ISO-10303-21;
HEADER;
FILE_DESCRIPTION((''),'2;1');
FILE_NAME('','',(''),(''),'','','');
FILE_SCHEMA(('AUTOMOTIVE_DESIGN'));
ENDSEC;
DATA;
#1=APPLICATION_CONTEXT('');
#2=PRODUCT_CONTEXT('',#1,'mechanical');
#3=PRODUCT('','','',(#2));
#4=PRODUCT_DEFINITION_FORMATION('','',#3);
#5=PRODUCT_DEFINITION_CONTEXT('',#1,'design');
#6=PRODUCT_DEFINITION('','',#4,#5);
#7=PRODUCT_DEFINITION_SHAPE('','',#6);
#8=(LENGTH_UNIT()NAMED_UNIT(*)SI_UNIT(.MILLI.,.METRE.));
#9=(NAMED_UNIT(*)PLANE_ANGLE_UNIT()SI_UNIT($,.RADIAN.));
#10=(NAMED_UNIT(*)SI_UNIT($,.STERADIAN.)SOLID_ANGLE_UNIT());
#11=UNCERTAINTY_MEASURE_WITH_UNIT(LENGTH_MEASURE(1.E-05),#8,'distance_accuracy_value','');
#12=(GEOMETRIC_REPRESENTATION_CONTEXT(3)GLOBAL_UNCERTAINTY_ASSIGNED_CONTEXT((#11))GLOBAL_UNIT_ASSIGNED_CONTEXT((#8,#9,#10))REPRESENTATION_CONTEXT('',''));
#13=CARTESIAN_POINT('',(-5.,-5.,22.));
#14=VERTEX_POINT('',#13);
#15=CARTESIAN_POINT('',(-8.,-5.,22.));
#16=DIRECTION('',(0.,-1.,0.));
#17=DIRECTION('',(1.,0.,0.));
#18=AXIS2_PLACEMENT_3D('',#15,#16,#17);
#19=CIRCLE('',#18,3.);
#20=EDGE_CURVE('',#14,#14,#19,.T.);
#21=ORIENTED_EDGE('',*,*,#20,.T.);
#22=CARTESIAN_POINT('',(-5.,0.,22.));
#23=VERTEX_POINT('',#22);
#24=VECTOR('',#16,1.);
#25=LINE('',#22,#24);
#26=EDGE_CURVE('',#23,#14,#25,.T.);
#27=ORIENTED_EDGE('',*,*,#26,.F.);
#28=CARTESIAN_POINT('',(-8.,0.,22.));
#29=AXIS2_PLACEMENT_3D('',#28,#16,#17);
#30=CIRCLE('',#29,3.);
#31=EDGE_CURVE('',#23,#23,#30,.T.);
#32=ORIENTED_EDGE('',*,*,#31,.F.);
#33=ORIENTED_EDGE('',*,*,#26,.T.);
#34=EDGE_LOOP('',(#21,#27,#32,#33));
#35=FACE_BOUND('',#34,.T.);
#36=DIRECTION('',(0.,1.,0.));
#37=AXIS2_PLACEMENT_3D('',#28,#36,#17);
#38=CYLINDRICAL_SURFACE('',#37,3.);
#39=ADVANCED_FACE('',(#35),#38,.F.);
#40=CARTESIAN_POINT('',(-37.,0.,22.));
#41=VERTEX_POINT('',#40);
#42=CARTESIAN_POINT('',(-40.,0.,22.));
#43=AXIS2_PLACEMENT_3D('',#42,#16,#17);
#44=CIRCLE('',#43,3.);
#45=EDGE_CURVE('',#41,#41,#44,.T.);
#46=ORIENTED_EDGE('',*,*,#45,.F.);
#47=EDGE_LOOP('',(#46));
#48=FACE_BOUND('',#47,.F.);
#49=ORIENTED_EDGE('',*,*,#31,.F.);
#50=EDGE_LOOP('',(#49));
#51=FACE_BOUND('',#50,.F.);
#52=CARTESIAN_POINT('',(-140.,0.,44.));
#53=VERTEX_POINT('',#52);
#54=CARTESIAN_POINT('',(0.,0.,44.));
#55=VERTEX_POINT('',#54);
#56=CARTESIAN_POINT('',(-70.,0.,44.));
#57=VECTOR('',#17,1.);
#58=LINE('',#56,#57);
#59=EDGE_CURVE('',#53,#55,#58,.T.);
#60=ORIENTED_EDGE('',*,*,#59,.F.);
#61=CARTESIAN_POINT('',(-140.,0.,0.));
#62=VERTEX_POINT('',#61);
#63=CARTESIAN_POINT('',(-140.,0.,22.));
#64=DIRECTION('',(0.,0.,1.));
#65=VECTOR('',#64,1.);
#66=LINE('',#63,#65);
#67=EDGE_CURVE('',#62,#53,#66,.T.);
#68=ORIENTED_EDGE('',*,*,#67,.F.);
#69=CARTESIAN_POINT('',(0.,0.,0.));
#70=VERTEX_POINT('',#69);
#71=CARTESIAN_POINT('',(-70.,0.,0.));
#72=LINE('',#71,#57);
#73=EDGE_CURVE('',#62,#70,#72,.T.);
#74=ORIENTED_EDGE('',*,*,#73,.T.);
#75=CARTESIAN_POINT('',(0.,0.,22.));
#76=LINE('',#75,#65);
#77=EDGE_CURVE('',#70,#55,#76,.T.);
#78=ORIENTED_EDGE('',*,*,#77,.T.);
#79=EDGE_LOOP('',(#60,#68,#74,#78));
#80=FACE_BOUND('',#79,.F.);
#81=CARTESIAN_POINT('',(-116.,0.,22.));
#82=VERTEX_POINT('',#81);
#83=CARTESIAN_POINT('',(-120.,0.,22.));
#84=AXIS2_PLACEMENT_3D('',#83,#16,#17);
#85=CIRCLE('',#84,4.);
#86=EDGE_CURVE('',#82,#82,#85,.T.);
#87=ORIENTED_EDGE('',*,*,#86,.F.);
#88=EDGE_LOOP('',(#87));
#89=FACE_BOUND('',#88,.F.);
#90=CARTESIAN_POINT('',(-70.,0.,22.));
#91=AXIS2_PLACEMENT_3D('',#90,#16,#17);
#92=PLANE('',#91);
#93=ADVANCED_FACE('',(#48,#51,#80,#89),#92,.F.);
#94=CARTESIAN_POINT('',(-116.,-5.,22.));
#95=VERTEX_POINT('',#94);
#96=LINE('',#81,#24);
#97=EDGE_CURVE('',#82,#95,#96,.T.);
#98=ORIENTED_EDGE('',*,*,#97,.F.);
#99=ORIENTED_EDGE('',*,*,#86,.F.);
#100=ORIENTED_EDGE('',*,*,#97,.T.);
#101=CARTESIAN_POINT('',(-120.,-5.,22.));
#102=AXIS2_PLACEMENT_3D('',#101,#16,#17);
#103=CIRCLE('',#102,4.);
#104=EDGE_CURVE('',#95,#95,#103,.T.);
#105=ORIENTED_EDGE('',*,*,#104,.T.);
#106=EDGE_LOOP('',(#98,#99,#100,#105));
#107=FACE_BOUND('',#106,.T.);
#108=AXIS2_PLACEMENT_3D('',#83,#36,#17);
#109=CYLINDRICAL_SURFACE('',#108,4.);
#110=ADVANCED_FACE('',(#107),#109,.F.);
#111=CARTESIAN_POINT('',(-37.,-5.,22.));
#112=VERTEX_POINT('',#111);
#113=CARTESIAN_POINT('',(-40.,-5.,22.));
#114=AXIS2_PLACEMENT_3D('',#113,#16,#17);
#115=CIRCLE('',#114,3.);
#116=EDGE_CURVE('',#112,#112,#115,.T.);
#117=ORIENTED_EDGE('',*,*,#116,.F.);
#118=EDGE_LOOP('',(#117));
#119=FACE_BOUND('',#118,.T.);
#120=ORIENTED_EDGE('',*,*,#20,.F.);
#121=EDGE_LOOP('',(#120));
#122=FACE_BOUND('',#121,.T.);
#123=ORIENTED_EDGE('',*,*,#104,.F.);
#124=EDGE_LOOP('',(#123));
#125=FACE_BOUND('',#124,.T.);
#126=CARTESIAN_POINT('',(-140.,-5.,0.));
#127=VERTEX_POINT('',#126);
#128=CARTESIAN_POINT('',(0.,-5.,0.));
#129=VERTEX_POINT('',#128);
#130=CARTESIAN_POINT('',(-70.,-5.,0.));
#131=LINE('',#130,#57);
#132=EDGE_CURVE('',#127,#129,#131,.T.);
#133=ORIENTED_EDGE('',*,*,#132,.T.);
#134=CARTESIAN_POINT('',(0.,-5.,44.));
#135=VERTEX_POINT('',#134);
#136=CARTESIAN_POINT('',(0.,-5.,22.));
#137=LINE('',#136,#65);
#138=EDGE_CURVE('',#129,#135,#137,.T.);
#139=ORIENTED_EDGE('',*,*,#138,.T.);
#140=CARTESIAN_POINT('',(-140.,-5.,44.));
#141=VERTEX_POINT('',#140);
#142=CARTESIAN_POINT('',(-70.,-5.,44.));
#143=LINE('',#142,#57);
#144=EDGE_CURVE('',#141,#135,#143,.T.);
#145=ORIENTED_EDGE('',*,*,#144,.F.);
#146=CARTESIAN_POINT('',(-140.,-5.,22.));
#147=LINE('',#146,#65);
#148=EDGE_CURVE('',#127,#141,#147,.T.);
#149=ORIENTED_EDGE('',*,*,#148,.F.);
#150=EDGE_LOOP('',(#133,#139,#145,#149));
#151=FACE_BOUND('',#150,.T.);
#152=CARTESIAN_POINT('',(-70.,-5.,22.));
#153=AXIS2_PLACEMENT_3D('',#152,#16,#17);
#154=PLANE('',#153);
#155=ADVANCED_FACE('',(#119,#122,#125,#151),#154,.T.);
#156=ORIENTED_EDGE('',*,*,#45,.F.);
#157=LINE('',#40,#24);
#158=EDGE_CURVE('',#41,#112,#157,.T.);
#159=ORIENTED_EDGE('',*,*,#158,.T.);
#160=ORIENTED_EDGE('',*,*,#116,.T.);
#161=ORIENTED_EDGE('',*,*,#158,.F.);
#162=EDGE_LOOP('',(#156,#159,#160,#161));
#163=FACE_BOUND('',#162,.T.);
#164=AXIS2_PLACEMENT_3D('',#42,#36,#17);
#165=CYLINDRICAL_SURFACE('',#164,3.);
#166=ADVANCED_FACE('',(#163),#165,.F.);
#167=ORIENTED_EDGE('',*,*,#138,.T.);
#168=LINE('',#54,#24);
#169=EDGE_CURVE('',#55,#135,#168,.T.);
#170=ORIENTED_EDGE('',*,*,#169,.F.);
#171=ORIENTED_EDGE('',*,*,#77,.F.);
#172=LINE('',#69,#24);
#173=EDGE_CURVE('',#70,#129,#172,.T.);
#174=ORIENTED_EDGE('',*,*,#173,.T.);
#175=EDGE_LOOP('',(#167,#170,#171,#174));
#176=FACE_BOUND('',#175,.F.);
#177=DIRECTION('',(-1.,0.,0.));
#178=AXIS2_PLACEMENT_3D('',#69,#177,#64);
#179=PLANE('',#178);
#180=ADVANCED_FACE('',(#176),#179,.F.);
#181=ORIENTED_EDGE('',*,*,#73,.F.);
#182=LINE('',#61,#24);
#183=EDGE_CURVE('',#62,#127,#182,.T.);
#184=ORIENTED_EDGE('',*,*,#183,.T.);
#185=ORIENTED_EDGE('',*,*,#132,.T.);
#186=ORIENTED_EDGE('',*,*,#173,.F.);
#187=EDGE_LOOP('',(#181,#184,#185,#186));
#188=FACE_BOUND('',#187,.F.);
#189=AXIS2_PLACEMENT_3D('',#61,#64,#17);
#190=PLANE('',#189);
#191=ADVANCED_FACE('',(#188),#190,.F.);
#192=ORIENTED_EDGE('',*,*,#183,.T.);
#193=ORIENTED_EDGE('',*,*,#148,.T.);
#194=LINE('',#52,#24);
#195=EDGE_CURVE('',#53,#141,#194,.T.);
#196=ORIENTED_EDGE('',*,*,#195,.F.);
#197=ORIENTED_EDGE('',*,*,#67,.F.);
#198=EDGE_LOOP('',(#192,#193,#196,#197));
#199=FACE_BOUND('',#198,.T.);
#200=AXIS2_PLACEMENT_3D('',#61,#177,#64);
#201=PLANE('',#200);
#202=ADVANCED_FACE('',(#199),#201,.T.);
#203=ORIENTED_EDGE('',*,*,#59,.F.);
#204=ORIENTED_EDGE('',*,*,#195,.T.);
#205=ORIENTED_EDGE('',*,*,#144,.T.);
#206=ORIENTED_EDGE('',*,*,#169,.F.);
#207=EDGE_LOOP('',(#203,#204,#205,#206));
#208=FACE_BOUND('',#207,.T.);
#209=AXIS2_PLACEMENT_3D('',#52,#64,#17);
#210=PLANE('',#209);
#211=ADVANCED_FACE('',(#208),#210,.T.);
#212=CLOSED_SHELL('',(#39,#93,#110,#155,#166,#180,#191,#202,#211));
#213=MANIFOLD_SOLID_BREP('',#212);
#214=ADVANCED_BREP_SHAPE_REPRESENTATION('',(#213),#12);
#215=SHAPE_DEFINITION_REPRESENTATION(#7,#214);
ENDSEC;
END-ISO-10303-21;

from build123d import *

# Parameters (mm, degrees)
F0_W     = 140
F0_H     = 44
F0_R     = 4
F0_R_2   = 3
F1_DEPTH = 5


with BuildPart() as f1:
    # F0 (on Front) → F1 (new body)
    with BuildSketch(Plane.XZ):
        with Locations((-70, 22)):
            Rectangle(F0_W, F0_H)
        with Locations((-120, 22)):
            Circle(F0_R, mode=Mode.SUBTRACT)
        with Locations((-40, 22)):
            Circle(F0_R_2, mode=Mode.SUBTRACT)
        with Locations((-8, 22)):
            Circle(F0_R_2, mode=Mode.SUBTRACT)
    extrude(amount=F1_DEPTH)


solid = f1.part
